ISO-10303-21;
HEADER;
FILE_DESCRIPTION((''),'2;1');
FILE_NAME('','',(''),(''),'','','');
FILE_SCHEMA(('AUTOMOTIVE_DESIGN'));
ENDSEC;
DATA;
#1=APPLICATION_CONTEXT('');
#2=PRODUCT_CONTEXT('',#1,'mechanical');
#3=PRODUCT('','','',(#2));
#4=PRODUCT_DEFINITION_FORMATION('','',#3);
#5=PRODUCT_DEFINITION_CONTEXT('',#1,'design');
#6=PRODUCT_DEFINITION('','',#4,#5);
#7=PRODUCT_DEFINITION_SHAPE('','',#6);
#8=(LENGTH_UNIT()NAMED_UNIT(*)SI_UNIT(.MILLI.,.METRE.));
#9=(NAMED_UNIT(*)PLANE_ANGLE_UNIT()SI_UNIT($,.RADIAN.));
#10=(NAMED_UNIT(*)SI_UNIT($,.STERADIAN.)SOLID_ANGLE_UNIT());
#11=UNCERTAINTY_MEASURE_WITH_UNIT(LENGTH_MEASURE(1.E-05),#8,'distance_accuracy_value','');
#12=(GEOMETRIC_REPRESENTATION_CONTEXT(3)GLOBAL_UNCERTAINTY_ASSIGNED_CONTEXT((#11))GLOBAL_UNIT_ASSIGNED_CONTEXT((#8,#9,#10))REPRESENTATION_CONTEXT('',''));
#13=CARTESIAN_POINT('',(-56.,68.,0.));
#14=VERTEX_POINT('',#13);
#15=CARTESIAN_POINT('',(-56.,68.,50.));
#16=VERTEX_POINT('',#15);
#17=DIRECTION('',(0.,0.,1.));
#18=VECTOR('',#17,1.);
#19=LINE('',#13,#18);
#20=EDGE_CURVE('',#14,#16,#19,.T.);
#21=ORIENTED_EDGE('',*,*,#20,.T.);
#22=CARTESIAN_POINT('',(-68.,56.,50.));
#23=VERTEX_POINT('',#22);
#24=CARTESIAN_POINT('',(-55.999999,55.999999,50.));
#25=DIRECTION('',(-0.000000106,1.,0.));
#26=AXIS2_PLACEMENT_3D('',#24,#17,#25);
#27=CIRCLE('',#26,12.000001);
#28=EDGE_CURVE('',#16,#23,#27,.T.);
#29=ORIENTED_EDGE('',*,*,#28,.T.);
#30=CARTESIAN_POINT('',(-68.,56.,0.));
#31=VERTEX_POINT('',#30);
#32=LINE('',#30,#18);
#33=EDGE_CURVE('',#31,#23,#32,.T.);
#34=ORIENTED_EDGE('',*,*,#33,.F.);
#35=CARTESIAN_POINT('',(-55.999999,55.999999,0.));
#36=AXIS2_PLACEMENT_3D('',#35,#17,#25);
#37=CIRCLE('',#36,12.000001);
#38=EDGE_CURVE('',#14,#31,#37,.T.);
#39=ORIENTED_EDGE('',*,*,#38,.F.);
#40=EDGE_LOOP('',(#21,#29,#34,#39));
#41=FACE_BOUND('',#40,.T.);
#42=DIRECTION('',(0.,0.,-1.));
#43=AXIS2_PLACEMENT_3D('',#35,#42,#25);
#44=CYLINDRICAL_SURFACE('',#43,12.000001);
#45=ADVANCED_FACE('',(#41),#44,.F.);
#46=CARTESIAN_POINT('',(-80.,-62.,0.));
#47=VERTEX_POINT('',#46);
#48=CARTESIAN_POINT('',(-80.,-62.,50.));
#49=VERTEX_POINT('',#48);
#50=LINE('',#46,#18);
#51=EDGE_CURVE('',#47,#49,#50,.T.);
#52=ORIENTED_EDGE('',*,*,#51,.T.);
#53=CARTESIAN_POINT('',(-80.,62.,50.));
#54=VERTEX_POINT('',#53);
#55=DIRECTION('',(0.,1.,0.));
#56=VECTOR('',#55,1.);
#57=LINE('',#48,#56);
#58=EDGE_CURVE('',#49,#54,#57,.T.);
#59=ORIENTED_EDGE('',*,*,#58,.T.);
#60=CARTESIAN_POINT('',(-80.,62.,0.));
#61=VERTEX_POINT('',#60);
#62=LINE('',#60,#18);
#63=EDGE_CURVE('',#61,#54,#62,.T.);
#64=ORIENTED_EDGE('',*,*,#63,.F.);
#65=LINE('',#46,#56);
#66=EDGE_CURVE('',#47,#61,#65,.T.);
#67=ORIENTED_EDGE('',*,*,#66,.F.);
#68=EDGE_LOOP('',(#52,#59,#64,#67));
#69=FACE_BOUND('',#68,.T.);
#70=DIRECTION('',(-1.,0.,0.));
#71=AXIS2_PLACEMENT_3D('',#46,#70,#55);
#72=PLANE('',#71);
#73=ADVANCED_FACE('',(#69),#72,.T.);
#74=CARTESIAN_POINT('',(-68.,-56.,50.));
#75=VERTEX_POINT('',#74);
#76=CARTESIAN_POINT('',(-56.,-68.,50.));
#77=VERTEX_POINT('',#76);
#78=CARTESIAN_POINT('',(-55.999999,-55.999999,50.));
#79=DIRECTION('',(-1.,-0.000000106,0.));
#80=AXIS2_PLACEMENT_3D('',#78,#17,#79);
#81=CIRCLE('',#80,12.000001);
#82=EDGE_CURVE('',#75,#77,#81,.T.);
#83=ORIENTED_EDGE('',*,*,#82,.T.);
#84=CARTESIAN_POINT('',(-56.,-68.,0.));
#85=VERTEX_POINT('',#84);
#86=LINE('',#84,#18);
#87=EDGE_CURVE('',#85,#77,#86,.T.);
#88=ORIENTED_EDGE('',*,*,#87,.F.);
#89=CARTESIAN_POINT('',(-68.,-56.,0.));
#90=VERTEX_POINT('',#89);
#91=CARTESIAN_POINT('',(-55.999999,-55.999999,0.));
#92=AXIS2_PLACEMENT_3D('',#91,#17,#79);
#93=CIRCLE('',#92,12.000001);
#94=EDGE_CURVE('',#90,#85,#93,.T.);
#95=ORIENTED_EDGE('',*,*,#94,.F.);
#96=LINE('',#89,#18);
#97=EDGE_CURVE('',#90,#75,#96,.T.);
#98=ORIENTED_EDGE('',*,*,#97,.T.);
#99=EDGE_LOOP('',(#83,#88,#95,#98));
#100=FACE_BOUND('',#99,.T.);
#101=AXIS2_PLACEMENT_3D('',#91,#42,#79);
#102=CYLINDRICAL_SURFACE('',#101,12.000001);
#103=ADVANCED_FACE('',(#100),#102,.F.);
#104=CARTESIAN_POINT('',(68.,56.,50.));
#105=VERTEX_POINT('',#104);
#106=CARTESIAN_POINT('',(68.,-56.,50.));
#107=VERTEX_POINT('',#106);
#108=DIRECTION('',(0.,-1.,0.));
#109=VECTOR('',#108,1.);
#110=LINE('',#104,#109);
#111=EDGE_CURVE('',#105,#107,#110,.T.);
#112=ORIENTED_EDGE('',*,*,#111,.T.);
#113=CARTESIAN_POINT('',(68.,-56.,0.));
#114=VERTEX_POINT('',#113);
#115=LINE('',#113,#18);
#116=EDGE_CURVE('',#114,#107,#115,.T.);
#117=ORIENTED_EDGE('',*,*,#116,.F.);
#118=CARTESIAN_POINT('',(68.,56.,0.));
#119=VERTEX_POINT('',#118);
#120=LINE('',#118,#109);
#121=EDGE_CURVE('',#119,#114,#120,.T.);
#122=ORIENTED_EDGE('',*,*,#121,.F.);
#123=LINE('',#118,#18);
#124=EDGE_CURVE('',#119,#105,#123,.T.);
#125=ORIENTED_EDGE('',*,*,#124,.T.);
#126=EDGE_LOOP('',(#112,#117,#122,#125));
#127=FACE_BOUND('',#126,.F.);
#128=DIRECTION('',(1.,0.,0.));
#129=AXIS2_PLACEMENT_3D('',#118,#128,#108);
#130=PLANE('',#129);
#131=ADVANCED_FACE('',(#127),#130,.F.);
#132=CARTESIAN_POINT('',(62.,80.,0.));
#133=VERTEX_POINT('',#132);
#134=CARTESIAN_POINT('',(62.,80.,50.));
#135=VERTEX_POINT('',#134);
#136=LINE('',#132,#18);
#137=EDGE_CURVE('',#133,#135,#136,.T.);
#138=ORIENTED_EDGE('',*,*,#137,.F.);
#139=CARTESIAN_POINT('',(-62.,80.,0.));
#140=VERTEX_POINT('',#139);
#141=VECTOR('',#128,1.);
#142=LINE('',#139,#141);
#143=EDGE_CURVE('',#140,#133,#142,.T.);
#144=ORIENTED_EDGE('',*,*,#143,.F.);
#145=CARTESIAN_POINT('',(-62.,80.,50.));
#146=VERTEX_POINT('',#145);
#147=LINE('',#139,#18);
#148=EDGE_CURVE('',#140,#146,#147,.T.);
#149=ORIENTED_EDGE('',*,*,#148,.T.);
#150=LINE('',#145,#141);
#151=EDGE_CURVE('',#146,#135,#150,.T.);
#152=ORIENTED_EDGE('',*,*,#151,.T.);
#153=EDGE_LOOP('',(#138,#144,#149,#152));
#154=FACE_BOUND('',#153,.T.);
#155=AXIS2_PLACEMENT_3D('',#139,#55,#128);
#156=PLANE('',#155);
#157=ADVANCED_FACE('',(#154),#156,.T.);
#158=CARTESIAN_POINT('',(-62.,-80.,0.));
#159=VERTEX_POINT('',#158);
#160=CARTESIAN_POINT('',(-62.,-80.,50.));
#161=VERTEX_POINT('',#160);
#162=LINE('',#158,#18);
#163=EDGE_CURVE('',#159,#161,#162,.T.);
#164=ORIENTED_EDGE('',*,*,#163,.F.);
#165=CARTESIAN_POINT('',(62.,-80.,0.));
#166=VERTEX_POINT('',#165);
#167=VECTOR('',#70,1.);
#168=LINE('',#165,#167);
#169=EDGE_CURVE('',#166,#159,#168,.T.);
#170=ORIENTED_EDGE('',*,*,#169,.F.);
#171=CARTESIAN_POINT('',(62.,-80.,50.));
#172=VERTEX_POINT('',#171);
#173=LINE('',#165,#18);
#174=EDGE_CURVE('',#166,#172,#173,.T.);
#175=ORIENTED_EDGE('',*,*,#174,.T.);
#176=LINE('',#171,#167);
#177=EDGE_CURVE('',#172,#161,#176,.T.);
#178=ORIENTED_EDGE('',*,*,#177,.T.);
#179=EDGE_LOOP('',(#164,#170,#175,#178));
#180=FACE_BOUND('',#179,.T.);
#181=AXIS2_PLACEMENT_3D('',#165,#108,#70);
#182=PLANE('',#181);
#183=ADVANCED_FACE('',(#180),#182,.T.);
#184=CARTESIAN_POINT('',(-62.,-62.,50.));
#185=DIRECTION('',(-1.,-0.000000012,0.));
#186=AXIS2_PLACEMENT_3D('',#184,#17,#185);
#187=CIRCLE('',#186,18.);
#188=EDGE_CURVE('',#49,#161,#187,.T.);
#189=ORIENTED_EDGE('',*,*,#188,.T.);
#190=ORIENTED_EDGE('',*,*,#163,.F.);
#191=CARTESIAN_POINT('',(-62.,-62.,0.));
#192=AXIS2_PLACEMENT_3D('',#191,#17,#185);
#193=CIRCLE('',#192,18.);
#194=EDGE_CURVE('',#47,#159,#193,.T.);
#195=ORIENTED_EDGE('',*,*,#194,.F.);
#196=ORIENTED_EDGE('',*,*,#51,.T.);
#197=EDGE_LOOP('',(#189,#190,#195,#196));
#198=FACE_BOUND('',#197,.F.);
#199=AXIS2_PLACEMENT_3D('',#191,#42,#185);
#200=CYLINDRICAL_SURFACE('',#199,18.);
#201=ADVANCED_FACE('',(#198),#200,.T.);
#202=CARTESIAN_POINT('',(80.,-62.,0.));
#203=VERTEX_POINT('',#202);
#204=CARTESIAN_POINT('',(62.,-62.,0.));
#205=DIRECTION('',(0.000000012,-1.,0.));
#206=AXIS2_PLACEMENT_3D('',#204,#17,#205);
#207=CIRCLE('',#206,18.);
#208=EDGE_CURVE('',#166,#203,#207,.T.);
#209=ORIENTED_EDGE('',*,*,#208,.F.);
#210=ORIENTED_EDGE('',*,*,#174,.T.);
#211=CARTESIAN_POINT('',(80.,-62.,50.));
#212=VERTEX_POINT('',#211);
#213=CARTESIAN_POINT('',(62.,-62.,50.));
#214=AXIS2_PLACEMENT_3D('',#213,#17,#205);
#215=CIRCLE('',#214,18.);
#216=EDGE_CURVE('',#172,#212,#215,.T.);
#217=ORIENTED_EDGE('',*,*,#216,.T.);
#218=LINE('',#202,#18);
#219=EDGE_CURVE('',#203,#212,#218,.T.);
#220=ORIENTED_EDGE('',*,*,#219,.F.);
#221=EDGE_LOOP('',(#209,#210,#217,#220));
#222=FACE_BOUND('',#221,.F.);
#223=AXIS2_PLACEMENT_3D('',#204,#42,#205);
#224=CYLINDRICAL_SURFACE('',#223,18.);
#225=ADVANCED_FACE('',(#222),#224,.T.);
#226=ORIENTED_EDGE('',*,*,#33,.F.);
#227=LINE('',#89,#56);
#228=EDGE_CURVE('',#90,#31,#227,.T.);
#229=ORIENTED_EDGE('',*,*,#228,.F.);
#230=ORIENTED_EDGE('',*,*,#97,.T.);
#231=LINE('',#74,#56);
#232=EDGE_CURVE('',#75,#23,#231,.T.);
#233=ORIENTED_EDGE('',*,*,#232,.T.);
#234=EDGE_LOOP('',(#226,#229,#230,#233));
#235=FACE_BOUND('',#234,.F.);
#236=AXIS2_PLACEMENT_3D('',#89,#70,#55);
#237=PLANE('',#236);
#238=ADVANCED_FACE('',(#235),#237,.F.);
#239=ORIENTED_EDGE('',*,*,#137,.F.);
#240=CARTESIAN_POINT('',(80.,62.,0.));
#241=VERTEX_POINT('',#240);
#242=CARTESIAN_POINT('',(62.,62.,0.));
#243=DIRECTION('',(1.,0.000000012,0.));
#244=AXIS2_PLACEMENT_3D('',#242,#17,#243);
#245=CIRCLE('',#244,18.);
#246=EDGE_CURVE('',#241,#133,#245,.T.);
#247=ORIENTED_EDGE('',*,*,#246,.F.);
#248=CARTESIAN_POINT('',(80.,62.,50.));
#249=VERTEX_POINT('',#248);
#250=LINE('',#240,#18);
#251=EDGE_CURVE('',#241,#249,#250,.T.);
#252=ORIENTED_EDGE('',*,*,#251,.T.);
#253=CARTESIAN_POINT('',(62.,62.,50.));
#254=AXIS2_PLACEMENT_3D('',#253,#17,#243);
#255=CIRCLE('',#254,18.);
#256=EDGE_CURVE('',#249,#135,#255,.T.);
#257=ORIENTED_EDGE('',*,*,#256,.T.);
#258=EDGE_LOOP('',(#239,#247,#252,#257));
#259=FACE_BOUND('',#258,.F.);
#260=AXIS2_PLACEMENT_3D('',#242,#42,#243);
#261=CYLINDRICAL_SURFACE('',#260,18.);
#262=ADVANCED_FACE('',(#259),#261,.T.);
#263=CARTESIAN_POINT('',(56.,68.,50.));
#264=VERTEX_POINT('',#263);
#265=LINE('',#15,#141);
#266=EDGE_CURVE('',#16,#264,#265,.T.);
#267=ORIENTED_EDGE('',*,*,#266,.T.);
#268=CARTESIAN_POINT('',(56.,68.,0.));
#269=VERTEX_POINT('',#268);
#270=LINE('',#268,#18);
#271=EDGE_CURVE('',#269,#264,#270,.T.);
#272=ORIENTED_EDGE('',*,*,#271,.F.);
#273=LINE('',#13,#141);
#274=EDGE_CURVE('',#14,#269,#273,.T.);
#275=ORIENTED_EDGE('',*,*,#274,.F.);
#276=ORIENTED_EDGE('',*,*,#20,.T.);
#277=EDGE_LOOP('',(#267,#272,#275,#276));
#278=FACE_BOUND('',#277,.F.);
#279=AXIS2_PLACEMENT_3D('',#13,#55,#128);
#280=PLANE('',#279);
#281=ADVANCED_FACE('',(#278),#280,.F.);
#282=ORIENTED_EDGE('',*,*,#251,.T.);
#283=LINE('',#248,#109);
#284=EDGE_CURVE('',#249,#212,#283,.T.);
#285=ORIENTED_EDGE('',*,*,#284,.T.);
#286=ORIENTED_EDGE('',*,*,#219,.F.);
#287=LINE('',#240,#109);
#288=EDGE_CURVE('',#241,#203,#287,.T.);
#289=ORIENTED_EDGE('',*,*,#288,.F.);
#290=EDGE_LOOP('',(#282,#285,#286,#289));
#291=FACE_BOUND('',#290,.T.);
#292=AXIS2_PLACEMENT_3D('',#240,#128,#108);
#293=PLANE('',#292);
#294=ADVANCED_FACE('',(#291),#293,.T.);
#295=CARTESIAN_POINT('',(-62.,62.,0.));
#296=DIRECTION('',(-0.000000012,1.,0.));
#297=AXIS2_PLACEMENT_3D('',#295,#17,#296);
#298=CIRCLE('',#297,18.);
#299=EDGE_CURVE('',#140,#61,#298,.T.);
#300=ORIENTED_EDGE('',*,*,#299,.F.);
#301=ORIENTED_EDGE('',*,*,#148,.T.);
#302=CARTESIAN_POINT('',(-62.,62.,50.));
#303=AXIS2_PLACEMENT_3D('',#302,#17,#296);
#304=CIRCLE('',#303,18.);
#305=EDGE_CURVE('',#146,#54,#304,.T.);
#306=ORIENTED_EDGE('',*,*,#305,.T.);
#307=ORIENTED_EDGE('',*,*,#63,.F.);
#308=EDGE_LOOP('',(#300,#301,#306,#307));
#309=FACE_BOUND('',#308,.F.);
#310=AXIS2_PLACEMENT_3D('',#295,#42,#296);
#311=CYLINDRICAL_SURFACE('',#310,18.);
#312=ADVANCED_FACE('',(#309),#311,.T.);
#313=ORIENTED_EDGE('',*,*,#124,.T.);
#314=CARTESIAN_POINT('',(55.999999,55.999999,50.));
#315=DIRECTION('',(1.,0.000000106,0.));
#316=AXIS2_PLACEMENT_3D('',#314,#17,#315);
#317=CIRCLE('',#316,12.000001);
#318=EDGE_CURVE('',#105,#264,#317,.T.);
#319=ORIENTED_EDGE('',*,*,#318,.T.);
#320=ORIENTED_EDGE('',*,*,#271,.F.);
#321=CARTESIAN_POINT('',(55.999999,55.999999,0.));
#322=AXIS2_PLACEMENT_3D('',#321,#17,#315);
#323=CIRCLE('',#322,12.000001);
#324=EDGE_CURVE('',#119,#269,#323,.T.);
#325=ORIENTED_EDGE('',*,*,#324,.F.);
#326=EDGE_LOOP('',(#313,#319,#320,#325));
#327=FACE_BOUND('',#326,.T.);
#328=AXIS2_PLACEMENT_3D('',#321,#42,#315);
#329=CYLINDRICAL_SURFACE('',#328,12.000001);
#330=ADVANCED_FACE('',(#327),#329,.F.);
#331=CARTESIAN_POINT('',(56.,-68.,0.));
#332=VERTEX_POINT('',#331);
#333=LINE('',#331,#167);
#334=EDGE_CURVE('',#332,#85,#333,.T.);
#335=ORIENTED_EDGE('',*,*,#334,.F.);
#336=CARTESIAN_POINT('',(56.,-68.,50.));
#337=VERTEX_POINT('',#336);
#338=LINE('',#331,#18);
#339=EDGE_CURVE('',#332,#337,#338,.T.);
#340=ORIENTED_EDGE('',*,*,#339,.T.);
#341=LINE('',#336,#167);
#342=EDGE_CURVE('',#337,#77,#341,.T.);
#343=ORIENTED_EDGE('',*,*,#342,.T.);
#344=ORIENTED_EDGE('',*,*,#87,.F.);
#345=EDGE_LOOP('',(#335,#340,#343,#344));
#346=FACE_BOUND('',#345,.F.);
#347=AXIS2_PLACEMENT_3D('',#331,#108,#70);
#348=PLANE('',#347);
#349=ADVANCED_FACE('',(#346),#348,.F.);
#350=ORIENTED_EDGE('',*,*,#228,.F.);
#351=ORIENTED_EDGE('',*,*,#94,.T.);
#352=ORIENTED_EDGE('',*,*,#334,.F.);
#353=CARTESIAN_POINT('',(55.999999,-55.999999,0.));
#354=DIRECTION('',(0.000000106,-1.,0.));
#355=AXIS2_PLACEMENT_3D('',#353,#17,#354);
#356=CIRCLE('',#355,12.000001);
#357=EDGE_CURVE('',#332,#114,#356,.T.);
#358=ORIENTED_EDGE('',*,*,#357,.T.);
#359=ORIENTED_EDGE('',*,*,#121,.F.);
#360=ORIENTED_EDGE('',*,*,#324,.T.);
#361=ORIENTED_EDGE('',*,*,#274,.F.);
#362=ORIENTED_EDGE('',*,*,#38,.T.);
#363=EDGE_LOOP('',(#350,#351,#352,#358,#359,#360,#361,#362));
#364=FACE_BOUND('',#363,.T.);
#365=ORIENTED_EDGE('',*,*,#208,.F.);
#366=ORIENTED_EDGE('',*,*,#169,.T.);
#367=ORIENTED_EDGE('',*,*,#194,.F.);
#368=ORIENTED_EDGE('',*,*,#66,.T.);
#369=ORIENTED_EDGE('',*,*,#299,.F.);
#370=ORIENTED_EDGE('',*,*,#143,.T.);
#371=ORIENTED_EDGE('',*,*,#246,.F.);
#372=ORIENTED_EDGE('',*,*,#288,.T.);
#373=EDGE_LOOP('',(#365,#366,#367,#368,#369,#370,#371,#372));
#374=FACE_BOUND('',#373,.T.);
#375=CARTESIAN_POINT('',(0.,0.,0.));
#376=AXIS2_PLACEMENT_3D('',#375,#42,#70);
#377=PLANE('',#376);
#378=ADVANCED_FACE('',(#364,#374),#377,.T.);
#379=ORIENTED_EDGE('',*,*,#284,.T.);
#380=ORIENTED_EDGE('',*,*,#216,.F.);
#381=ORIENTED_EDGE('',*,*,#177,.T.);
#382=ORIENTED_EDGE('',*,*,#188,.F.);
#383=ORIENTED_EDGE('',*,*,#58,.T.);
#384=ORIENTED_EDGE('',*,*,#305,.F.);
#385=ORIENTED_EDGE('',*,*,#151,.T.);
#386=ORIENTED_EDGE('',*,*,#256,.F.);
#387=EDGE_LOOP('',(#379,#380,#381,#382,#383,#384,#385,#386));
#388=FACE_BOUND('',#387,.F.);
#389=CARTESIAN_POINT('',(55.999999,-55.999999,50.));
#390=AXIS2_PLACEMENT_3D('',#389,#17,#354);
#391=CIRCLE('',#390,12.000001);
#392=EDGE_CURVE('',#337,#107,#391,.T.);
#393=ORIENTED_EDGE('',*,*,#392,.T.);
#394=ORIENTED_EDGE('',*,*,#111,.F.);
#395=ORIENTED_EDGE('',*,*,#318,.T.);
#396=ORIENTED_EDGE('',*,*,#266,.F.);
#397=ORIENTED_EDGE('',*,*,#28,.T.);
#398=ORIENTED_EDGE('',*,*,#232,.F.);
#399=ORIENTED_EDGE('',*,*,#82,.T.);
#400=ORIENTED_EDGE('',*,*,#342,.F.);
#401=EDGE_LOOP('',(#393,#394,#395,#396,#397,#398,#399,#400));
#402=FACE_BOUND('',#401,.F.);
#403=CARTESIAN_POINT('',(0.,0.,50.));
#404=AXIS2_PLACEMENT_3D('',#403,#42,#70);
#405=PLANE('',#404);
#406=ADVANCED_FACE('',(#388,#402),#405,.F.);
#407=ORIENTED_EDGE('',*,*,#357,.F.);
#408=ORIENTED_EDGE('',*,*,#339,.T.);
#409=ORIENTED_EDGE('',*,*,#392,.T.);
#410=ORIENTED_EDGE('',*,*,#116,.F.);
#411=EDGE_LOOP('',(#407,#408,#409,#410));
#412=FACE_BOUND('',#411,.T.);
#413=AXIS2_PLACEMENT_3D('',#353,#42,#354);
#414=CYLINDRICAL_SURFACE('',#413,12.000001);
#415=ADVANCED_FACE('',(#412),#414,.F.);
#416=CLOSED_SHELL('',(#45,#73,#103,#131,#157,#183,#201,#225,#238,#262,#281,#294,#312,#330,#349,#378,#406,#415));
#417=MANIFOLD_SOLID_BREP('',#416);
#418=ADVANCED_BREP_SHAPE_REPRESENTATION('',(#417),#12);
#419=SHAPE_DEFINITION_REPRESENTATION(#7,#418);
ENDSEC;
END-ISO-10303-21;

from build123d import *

# Parameters (mm, degrees)
EXTRUDE_DEPTH = 50


with BuildPart() as part:
    # Sketch → Extrude (new body)
    with BuildSketch(Plane.XY):
        with BuildLine():
            Line((-62, 80), (62, 80))
            ThreePointArc((80, 62), (74.727922, 74.727922), (62, 80))
            Line((80, 62), (80, -62))
            ThreePointArc((62, -80), (74.727922, -74.727922), (80, -62))
            Line((62, -80), (-62, -80))
            ThreePointArc((-80, -62), (-74.727922, -74.727922), (-62, -80))
            Line((-80, -62), (-80, 62))
            ThreePointArc((-62, 80), (-74.727922, 74.727922), (-80, 62))
        make_face()
        with BuildLine():
            Line((-56, 68), (56, 68))
            ThreePointArc((68, 56), (64.485281, 64.485281), (56, 68))
            Line((68, 56), (68, -56))
            ThreePointArc((56, -68), (64.485281, -64.485281), (68, -56))
            Line((56, -68), (-56, -68))
            ThreePointArc((-68, -56), (-64.485281, -64.485281), (-56, -68))
            Line((-68, -56), (-68, 56))
            ThreePointArc((-56, 68), (-64.485281, 64.485281), (-68, 56))
        make_face(mode=Mode.SUBTRACT)
    extrude(amount=EXTRUDE_DEPTH)


solid = part.part
